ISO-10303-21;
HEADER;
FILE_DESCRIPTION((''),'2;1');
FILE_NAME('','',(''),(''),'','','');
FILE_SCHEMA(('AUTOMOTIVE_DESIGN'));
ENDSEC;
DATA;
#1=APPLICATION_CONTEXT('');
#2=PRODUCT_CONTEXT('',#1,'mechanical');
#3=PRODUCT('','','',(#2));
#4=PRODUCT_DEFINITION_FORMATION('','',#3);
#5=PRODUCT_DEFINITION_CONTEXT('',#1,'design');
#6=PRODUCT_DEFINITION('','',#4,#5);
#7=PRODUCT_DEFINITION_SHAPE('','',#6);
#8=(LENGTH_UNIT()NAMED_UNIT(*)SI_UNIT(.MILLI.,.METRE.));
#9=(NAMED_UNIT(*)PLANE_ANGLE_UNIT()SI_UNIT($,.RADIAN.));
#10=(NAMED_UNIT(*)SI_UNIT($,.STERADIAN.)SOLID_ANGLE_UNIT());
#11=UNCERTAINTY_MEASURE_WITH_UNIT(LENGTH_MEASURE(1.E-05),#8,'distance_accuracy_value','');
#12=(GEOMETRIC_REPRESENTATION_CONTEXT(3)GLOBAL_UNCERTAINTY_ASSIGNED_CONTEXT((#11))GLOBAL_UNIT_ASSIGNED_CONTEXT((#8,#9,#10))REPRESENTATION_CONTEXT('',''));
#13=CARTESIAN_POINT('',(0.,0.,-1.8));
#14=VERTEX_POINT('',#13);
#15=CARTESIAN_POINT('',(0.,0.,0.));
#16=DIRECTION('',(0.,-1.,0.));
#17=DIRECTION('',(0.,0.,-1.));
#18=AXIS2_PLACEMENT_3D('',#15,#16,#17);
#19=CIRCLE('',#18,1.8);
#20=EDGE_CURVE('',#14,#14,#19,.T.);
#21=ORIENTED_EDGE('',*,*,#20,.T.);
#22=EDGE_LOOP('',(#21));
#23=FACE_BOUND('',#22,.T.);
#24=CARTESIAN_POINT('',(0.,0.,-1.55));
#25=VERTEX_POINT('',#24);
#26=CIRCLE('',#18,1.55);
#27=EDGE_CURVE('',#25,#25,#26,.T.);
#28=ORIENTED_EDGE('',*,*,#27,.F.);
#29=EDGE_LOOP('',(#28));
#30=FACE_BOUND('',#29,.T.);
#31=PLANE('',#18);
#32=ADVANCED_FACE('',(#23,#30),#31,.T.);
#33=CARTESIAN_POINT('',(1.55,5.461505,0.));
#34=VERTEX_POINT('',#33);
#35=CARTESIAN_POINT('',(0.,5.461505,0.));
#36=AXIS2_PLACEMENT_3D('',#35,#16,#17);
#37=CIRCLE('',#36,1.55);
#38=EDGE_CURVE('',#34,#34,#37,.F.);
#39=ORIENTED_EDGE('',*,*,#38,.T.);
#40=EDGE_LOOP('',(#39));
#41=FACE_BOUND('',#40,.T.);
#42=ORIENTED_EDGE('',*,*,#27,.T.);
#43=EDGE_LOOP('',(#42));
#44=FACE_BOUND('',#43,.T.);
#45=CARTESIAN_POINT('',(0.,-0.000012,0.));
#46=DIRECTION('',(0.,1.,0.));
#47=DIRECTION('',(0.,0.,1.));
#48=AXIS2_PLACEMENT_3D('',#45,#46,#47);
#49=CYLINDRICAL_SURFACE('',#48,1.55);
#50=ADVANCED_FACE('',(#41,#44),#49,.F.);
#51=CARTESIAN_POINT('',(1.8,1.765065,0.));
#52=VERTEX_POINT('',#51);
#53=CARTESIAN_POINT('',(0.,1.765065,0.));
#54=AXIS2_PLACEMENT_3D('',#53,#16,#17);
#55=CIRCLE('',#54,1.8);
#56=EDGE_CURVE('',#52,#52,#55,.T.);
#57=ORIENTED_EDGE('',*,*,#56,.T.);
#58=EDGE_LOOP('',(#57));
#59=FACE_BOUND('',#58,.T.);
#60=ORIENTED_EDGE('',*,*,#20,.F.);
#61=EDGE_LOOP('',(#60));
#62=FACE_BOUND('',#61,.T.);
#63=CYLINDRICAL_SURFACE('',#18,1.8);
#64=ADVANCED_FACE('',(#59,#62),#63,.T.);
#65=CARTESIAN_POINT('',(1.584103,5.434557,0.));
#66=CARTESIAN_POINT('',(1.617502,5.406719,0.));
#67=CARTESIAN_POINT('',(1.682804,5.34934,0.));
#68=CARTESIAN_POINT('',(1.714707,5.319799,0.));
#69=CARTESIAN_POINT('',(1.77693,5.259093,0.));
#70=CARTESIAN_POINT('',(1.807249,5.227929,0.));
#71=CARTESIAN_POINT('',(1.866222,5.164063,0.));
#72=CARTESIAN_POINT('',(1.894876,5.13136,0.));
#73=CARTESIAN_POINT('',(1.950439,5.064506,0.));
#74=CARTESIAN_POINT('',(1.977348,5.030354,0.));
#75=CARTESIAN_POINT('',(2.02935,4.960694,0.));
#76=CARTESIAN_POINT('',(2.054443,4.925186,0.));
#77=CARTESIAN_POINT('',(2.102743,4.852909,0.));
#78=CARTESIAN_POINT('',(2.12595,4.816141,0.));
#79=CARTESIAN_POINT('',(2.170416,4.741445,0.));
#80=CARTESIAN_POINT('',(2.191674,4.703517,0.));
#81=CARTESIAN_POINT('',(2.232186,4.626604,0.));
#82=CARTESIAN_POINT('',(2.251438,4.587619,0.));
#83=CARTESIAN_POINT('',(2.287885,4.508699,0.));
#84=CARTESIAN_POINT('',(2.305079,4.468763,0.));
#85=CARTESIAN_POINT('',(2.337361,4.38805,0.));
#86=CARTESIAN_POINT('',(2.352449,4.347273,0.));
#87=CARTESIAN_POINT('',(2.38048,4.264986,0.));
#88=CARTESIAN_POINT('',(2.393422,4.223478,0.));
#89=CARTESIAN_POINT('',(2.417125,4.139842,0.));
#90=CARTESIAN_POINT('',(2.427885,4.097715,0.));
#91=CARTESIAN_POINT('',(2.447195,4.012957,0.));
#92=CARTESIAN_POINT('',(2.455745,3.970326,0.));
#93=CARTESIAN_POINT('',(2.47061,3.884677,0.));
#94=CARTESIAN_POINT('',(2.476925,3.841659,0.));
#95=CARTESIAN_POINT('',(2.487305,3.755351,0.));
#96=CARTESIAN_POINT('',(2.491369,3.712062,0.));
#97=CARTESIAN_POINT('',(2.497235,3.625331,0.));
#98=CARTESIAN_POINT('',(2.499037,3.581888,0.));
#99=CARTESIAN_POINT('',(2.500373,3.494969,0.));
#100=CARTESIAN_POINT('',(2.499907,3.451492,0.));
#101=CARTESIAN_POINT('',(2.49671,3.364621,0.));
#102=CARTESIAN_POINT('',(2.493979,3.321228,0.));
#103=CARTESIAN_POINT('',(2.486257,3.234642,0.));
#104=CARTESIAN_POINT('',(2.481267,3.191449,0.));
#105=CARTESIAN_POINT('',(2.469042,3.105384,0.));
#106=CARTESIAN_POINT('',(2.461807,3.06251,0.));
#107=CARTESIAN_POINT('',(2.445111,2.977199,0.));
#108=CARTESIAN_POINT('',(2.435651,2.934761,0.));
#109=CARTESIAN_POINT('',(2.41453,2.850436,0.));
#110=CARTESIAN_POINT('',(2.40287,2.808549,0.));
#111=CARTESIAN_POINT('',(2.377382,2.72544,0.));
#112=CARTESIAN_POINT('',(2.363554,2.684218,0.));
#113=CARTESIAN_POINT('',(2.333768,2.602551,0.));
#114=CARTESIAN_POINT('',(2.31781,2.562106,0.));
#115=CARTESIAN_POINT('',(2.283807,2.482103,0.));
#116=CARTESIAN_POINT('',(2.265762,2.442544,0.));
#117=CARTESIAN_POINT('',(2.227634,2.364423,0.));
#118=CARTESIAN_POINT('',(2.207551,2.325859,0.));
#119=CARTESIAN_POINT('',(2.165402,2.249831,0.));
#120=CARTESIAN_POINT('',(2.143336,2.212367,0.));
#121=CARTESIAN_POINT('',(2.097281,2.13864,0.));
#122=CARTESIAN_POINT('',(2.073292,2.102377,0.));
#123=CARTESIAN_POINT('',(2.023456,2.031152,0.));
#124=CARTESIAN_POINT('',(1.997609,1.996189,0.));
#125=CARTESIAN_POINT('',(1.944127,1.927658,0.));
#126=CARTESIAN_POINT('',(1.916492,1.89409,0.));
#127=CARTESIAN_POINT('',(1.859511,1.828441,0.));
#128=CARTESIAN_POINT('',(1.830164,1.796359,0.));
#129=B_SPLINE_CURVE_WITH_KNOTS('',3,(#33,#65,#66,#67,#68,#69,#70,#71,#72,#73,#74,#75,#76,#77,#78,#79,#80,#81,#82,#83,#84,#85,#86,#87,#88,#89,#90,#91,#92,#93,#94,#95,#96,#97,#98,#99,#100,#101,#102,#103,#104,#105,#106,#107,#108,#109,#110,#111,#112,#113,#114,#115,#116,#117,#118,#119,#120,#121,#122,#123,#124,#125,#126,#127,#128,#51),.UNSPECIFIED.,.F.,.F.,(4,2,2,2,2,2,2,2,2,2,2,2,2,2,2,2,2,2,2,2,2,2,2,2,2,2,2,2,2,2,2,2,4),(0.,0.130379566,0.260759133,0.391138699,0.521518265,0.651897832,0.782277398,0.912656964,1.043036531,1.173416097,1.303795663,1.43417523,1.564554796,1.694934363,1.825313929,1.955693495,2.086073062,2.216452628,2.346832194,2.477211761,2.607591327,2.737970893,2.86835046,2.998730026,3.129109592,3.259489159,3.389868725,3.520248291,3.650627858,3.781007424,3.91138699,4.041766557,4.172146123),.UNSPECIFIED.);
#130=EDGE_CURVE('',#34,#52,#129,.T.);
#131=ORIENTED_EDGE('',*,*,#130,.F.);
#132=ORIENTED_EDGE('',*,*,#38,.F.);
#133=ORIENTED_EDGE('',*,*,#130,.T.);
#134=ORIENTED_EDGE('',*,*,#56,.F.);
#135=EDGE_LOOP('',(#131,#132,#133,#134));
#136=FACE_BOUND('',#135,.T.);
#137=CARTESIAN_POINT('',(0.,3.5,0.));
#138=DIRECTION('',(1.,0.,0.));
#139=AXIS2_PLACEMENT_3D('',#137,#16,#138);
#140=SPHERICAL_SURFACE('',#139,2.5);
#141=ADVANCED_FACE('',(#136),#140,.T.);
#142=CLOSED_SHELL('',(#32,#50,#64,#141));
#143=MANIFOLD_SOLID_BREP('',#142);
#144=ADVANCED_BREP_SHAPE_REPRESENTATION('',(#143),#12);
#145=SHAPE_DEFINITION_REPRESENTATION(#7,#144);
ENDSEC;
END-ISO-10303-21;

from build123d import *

# Parameters (mm, degrees)
ENL_V_MAT_EXTRU_1_DEPTH      = 7.964194139
ENL_V_MAT_EXTRU_1_DEPTH_BACK = 7.964194139
ESQUISSE2_R                  = 1.55


with BuildPart() as part:
    # Esquisse1 → Révolution1 (revolve)
    with BuildSketch(Plane.XY):
        with BuildLine():
            Line((0, 0), (0, 6))
            ThreePointArc((0, 6), (2.300797459, 4.477921803), (1.8, 1.765064843))
            Line((1.8, 1.765064843), (1.8, 0))
            Line((1.8, 0), (0, 0))
        make_face()
    revolve(axis=Axis((0, 0, 0), (0, 1, 0)))

    # Esquisse2 → Enlèv. mat.-Extru.1 (cut, two sides: drawn at the far end of the back side and taken through both)
    with BuildSketch(Plane(origin=(0, 0, 0), x_dir=(1, 0, 0), z_dir=(0, 1, 0)).offset(-ENL_V_MAT_EXTRU_1_DEPTH_BACK)):
        Circle(ESQUISSE2_R)
    extrude(amount=ENL_V_MAT_EXTRU_1_DEPTH + ENL_V_MAT_EXTRU_1_DEPTH_BACK, mode=Mode.SUBTRACT)


solid = part.part
